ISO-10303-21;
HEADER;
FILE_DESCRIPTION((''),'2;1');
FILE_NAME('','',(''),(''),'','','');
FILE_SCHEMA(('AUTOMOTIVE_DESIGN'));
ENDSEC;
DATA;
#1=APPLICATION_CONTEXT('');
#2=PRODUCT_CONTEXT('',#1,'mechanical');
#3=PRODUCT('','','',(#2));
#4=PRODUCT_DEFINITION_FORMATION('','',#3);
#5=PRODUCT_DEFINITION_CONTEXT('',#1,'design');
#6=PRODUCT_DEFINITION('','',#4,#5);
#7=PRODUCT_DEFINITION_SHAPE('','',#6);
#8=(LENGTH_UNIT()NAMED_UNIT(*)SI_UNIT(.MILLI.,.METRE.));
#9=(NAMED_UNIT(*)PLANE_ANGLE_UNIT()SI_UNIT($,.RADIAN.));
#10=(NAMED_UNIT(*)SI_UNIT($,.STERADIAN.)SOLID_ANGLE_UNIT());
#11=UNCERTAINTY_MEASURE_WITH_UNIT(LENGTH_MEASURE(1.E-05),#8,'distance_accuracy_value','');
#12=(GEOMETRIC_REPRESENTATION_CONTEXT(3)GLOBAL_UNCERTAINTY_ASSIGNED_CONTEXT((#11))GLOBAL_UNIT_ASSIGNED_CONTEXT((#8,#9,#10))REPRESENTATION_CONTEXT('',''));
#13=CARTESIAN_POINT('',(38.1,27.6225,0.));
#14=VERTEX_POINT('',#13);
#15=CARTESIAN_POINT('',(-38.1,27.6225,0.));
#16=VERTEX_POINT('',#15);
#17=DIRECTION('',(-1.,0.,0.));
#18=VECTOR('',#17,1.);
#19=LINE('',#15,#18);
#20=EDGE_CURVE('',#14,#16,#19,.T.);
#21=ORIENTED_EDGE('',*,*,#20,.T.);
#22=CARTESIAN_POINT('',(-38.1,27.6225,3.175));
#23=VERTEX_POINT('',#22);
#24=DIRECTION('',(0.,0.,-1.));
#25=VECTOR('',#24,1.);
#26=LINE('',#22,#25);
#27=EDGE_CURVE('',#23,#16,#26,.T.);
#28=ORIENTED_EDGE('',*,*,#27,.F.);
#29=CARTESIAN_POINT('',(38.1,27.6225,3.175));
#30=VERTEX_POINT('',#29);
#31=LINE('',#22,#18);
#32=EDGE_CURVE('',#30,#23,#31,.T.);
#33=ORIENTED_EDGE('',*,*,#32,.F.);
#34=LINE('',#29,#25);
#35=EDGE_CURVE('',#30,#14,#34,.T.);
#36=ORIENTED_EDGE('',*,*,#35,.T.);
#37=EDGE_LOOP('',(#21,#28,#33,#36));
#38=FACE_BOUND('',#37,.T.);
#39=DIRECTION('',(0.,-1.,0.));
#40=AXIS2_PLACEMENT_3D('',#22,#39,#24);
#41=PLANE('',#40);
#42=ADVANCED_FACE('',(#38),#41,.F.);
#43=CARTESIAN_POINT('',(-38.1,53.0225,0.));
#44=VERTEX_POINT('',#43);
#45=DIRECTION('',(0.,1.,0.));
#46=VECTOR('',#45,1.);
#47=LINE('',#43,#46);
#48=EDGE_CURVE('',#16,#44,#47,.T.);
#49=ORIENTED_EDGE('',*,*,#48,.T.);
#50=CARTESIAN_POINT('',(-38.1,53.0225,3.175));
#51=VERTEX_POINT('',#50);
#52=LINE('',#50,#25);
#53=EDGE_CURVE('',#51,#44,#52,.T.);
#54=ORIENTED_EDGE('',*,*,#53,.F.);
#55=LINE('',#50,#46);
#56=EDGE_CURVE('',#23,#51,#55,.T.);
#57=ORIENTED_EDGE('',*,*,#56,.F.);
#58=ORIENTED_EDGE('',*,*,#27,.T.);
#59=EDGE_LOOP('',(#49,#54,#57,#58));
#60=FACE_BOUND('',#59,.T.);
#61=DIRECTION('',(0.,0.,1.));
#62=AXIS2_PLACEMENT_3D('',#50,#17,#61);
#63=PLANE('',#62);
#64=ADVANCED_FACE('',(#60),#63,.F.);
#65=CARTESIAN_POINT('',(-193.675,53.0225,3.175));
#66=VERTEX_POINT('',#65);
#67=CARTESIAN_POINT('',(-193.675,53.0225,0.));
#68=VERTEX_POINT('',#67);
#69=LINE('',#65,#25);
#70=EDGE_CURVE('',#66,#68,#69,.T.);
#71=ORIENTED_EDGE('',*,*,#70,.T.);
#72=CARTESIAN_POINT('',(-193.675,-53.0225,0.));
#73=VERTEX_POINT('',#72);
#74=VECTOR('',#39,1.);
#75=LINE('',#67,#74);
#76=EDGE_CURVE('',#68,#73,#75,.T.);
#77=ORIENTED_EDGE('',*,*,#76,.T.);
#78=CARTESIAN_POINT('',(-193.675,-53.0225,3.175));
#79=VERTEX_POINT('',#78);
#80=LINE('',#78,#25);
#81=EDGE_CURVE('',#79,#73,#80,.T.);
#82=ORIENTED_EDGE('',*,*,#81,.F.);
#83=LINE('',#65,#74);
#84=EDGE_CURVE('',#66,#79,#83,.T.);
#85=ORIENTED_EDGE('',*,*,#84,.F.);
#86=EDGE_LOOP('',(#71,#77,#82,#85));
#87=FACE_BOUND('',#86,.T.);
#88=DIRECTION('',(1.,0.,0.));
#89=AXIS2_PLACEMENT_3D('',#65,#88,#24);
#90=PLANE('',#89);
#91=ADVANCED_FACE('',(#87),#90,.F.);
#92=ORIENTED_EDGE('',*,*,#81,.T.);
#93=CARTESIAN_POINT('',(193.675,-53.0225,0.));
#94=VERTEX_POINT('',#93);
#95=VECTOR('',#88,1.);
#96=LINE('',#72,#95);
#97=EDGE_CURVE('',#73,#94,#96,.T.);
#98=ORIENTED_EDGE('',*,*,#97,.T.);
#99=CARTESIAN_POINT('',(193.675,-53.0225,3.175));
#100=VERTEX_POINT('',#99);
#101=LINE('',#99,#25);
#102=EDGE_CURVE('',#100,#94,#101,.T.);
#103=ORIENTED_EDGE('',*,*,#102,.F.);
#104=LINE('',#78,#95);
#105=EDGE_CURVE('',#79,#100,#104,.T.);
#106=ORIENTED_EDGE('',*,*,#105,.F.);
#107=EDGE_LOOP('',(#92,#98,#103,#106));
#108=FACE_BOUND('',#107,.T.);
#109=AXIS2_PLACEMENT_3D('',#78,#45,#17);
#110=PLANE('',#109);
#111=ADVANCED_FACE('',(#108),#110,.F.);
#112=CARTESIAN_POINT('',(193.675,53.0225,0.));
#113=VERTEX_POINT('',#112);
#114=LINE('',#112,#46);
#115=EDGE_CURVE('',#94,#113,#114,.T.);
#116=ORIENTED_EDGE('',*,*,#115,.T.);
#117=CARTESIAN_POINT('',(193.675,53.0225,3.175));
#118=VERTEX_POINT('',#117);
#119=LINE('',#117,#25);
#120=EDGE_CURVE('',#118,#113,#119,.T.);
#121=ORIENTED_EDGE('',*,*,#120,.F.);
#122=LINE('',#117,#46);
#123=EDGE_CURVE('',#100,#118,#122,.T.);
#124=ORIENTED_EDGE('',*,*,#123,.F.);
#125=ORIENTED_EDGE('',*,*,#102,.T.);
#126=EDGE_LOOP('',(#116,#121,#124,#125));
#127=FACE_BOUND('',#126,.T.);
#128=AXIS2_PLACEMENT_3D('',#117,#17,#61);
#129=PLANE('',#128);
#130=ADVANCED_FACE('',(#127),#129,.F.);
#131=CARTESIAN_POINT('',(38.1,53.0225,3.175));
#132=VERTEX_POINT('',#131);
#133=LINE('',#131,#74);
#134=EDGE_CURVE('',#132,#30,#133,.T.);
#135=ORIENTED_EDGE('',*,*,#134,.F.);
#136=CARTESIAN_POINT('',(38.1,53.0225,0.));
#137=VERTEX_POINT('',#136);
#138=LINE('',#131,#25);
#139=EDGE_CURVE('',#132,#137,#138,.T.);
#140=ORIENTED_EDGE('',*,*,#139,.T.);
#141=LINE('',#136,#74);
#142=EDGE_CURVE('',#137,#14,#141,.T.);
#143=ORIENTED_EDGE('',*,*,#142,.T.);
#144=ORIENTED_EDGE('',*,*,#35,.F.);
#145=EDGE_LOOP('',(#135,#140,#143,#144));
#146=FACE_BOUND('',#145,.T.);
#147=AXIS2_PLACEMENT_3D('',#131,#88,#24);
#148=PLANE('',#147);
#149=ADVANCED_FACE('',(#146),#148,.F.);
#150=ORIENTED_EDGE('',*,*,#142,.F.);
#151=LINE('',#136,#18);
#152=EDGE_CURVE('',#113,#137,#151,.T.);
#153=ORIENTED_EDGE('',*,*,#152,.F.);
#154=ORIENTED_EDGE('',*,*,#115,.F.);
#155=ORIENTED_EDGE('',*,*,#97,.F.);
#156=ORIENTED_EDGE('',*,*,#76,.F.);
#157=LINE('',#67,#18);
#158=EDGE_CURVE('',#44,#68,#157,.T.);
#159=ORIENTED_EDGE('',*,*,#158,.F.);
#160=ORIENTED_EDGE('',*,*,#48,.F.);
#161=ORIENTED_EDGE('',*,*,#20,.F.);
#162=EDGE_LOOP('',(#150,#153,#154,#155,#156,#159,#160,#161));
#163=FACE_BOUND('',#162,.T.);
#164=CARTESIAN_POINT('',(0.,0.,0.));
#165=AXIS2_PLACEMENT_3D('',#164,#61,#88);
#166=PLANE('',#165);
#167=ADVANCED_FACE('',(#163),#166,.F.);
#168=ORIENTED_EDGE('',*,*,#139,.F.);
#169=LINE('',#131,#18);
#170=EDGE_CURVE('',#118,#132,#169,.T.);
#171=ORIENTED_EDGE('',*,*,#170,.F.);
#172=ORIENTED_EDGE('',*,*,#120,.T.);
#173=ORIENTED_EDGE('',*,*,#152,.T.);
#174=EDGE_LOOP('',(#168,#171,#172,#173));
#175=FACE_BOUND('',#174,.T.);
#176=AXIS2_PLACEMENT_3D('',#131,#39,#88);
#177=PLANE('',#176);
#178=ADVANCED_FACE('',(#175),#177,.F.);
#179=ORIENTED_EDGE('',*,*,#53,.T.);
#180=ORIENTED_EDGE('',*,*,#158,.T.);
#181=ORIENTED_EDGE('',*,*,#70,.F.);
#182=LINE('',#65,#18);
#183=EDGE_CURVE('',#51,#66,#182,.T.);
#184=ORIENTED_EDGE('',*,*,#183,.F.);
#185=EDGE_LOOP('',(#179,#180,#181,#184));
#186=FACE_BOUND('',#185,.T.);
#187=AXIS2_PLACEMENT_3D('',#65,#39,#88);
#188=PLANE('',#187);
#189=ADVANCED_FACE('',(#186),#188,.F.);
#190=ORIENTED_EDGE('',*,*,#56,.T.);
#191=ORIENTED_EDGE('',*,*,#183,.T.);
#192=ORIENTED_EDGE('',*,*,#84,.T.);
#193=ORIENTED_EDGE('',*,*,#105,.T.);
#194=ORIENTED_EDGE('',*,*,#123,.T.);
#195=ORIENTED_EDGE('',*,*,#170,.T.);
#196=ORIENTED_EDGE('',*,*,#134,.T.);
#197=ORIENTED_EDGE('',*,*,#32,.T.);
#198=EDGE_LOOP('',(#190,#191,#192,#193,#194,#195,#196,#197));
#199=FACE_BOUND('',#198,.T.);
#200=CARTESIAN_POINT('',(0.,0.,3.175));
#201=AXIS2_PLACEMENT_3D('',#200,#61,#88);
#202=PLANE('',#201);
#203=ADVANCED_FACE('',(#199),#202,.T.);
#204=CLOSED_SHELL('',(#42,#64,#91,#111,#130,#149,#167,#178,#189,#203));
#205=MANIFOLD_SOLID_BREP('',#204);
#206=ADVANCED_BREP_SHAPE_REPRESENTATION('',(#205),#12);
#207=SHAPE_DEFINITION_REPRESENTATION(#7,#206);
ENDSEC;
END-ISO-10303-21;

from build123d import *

# Parameters (mm, degrees)
BOSS_EXTRUDE1_DEPTH = 3.175


with BuildPart() as part:
    # Sketch1 → Boss-Extrude1 (new body)
    with BuildSketch(Plane.XY):
        Polygon((38.1, 53.0225), (193.675, 53.0225), (193.675, -53.0225), (-193.675, -53.0225), (-193.675, 53.0225), (-38.1, 53.0225), (-38.1, 27.6225), (38.1, 27.6225), align=None)
    extrude(amount=BOSS_EXTRUDE1_DEPTH)


solid = part.part
